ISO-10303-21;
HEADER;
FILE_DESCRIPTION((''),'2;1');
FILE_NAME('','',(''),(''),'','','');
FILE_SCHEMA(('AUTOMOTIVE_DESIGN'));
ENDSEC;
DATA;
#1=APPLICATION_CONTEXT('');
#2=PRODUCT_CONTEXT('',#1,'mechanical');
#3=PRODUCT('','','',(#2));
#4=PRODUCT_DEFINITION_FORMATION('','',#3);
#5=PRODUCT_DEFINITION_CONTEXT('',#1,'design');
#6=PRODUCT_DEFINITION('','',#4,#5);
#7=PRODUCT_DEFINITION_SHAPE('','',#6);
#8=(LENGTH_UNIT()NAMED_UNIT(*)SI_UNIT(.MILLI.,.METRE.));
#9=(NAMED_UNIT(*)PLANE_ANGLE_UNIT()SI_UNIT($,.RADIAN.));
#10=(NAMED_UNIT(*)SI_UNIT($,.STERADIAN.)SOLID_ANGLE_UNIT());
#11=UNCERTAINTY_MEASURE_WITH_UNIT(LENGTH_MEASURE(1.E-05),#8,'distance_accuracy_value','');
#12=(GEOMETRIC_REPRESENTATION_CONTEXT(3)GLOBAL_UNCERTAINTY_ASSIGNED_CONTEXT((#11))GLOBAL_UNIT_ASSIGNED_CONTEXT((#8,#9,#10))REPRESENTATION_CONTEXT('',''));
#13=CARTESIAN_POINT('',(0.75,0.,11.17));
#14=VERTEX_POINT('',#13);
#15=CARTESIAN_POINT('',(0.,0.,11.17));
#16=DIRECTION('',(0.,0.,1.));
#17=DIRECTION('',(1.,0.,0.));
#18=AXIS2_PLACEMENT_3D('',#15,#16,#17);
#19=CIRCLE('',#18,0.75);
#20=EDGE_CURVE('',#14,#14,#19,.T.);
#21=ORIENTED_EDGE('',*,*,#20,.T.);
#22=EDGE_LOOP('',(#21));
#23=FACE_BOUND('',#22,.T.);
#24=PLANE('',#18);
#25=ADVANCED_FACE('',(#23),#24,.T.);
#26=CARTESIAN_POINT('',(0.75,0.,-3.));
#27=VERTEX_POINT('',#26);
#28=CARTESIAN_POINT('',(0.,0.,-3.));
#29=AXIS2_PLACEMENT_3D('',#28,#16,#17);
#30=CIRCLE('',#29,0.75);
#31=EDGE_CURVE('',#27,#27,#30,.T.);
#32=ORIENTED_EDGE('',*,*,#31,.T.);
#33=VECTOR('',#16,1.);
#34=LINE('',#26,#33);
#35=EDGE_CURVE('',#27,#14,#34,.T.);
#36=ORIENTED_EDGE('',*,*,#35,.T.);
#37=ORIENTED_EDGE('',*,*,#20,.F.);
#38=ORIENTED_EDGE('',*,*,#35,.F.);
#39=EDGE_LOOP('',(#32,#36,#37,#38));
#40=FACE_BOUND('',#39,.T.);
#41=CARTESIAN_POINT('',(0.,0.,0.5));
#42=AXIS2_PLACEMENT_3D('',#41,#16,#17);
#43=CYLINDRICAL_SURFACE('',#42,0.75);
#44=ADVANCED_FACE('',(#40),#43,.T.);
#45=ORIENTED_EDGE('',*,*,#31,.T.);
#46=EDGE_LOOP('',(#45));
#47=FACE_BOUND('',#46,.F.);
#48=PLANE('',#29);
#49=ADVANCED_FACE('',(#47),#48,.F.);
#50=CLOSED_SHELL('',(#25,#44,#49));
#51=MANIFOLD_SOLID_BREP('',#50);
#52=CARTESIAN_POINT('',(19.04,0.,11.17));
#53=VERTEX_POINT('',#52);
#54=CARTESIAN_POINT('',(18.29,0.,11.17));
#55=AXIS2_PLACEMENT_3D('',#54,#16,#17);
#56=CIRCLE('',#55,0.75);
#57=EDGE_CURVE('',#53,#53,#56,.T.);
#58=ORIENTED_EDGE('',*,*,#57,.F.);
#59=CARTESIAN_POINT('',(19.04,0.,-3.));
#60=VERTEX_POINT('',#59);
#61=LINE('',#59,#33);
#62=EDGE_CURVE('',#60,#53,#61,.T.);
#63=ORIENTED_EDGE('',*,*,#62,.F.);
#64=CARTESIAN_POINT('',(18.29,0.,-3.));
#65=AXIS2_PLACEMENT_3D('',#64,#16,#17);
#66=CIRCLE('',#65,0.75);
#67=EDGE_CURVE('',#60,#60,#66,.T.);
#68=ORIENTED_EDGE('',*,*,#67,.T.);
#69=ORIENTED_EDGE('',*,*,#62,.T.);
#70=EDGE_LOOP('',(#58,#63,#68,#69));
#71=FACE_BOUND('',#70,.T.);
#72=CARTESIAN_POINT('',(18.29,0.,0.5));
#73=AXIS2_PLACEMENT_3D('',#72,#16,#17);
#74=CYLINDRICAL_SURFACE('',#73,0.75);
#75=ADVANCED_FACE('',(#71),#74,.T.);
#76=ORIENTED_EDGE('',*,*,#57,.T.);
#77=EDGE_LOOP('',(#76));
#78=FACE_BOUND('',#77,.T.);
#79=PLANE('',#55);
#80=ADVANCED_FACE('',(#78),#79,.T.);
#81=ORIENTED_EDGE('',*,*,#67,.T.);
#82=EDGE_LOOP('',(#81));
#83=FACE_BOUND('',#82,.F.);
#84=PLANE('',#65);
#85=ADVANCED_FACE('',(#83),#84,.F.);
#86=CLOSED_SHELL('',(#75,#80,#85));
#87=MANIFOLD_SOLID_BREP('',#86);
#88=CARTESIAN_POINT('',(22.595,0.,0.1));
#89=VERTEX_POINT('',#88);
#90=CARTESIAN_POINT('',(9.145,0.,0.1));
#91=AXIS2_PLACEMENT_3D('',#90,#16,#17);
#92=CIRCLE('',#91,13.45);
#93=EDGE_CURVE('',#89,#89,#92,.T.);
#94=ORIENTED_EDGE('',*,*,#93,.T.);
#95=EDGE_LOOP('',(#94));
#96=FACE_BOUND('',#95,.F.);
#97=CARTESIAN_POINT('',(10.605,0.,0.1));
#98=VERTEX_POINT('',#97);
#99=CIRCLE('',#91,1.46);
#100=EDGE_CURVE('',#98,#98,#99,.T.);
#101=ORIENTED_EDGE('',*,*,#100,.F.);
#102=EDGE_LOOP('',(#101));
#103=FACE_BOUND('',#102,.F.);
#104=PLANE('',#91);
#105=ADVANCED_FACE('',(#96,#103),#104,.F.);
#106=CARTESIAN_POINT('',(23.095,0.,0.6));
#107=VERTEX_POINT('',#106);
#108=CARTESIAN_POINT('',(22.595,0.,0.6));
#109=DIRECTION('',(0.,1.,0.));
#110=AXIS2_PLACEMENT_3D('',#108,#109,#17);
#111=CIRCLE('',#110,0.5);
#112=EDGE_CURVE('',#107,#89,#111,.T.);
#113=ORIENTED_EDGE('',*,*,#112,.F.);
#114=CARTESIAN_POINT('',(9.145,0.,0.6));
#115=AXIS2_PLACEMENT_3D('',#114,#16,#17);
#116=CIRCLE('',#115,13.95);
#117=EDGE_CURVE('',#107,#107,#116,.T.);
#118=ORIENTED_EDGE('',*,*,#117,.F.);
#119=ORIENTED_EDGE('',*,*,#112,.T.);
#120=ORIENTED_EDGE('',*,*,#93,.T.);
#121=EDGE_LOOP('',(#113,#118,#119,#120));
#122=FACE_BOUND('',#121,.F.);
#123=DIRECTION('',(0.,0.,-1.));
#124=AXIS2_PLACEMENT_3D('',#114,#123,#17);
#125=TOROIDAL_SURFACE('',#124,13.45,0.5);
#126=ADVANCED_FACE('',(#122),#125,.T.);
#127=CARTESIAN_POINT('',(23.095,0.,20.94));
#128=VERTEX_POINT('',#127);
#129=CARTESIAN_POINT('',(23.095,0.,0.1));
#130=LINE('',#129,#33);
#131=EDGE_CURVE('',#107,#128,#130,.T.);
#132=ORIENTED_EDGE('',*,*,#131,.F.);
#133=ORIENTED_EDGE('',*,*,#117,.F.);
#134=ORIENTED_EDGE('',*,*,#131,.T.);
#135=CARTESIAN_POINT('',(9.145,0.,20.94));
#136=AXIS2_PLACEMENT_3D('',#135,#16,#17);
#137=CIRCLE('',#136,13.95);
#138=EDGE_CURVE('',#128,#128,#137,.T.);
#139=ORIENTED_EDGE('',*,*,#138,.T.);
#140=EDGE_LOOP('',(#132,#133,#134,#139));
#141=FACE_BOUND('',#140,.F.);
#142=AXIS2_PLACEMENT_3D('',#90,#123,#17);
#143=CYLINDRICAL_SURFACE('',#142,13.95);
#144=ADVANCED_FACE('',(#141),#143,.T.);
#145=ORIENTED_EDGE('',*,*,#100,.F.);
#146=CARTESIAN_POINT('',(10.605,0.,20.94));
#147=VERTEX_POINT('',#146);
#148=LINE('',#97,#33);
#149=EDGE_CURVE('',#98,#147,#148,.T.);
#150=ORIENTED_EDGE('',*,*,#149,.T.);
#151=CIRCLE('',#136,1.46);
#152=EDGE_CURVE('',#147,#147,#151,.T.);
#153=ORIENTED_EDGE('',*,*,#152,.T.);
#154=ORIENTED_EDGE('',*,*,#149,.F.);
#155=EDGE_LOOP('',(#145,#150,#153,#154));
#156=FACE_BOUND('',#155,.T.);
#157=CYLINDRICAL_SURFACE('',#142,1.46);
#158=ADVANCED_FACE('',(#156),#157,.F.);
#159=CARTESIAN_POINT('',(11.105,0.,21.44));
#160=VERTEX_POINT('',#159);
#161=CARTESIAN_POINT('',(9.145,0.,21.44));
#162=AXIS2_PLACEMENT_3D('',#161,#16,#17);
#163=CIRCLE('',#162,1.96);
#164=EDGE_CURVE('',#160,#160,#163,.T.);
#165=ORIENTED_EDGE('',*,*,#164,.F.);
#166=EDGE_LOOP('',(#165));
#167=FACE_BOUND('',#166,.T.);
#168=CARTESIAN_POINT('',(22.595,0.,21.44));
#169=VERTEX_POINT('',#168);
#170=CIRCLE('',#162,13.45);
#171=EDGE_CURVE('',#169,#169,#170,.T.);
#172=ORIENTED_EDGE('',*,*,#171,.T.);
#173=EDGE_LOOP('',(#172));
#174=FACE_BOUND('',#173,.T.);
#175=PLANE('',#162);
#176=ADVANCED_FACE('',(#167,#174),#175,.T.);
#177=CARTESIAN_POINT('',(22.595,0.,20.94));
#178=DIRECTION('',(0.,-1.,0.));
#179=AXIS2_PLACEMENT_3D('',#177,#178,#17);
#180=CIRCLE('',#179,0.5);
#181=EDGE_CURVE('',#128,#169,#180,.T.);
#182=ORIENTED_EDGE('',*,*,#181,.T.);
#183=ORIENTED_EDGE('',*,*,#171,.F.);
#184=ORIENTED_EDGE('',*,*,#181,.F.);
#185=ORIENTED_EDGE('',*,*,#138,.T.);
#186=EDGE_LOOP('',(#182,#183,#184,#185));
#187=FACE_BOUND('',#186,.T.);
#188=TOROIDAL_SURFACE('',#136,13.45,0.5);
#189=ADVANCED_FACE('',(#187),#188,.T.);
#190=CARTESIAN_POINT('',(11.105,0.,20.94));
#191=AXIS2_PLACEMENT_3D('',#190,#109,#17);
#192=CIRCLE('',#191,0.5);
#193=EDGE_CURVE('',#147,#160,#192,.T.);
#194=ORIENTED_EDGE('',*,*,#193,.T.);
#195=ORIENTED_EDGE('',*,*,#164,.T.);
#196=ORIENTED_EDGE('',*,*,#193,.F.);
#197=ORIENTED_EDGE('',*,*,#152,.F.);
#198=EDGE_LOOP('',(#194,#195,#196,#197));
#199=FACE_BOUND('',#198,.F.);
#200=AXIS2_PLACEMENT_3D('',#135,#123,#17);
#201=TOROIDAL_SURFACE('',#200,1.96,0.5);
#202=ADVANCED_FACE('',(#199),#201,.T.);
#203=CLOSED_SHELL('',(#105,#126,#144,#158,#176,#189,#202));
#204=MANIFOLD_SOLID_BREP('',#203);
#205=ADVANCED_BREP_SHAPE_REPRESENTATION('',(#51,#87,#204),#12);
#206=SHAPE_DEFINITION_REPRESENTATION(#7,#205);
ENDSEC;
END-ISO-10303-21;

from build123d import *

# Parameters (mm, degrees)
SKETCH001_R       = 0.75
PAD001_DEPTH      = 10.67
PAD001_DEPTH_BACK = 3.5
SKETCH_R          = 13.95
SKETCH_R_2        = 1.46
PAD_DEPTH         = 21.34
FILLET_R          = 0.5


with BuildPart() as pad001:
    # Sketch001 → Pad001 (new body, two sides)
    with BuildSketch(Plane.XY.offset(0.5)) as pad001_sk:
        Circle(SKETCH001_R)
        with Locations((18.29, 0)):
            Circle(SKETCH001_R)
    extrude(amount=PAD001_DEPTH)
    extrude(pad001_sk.sketch, amount=-PAD001_DEPTH_BACK)


with BuildPart() as fillet_body:
    # Sketch → Pad (new body)
    with BuildSketch(Plane.XY.offset(0.1)):
        with Locations((9.145, 0)):
            Circle(SKETCH_R)
        with Locations((9.145, 0)):
            Circle(SKETCH_R_2, mode=Mode.SUBTRACT)
    extrude(amount=PAD_DEPTH)

    # Fillet
    fillet_edges = [fillet_body.edges().sort_by_distance(p)[0] for p in [
        (7.685, 0, 21.44),
        (-4.805, 0, 21.44),
        (-4.805, 0, 0.1),
    ]]
    fillet(fillet_edges, radius=FILLET_R)


solid = Compound([pad001.part, fillet_body.part])
